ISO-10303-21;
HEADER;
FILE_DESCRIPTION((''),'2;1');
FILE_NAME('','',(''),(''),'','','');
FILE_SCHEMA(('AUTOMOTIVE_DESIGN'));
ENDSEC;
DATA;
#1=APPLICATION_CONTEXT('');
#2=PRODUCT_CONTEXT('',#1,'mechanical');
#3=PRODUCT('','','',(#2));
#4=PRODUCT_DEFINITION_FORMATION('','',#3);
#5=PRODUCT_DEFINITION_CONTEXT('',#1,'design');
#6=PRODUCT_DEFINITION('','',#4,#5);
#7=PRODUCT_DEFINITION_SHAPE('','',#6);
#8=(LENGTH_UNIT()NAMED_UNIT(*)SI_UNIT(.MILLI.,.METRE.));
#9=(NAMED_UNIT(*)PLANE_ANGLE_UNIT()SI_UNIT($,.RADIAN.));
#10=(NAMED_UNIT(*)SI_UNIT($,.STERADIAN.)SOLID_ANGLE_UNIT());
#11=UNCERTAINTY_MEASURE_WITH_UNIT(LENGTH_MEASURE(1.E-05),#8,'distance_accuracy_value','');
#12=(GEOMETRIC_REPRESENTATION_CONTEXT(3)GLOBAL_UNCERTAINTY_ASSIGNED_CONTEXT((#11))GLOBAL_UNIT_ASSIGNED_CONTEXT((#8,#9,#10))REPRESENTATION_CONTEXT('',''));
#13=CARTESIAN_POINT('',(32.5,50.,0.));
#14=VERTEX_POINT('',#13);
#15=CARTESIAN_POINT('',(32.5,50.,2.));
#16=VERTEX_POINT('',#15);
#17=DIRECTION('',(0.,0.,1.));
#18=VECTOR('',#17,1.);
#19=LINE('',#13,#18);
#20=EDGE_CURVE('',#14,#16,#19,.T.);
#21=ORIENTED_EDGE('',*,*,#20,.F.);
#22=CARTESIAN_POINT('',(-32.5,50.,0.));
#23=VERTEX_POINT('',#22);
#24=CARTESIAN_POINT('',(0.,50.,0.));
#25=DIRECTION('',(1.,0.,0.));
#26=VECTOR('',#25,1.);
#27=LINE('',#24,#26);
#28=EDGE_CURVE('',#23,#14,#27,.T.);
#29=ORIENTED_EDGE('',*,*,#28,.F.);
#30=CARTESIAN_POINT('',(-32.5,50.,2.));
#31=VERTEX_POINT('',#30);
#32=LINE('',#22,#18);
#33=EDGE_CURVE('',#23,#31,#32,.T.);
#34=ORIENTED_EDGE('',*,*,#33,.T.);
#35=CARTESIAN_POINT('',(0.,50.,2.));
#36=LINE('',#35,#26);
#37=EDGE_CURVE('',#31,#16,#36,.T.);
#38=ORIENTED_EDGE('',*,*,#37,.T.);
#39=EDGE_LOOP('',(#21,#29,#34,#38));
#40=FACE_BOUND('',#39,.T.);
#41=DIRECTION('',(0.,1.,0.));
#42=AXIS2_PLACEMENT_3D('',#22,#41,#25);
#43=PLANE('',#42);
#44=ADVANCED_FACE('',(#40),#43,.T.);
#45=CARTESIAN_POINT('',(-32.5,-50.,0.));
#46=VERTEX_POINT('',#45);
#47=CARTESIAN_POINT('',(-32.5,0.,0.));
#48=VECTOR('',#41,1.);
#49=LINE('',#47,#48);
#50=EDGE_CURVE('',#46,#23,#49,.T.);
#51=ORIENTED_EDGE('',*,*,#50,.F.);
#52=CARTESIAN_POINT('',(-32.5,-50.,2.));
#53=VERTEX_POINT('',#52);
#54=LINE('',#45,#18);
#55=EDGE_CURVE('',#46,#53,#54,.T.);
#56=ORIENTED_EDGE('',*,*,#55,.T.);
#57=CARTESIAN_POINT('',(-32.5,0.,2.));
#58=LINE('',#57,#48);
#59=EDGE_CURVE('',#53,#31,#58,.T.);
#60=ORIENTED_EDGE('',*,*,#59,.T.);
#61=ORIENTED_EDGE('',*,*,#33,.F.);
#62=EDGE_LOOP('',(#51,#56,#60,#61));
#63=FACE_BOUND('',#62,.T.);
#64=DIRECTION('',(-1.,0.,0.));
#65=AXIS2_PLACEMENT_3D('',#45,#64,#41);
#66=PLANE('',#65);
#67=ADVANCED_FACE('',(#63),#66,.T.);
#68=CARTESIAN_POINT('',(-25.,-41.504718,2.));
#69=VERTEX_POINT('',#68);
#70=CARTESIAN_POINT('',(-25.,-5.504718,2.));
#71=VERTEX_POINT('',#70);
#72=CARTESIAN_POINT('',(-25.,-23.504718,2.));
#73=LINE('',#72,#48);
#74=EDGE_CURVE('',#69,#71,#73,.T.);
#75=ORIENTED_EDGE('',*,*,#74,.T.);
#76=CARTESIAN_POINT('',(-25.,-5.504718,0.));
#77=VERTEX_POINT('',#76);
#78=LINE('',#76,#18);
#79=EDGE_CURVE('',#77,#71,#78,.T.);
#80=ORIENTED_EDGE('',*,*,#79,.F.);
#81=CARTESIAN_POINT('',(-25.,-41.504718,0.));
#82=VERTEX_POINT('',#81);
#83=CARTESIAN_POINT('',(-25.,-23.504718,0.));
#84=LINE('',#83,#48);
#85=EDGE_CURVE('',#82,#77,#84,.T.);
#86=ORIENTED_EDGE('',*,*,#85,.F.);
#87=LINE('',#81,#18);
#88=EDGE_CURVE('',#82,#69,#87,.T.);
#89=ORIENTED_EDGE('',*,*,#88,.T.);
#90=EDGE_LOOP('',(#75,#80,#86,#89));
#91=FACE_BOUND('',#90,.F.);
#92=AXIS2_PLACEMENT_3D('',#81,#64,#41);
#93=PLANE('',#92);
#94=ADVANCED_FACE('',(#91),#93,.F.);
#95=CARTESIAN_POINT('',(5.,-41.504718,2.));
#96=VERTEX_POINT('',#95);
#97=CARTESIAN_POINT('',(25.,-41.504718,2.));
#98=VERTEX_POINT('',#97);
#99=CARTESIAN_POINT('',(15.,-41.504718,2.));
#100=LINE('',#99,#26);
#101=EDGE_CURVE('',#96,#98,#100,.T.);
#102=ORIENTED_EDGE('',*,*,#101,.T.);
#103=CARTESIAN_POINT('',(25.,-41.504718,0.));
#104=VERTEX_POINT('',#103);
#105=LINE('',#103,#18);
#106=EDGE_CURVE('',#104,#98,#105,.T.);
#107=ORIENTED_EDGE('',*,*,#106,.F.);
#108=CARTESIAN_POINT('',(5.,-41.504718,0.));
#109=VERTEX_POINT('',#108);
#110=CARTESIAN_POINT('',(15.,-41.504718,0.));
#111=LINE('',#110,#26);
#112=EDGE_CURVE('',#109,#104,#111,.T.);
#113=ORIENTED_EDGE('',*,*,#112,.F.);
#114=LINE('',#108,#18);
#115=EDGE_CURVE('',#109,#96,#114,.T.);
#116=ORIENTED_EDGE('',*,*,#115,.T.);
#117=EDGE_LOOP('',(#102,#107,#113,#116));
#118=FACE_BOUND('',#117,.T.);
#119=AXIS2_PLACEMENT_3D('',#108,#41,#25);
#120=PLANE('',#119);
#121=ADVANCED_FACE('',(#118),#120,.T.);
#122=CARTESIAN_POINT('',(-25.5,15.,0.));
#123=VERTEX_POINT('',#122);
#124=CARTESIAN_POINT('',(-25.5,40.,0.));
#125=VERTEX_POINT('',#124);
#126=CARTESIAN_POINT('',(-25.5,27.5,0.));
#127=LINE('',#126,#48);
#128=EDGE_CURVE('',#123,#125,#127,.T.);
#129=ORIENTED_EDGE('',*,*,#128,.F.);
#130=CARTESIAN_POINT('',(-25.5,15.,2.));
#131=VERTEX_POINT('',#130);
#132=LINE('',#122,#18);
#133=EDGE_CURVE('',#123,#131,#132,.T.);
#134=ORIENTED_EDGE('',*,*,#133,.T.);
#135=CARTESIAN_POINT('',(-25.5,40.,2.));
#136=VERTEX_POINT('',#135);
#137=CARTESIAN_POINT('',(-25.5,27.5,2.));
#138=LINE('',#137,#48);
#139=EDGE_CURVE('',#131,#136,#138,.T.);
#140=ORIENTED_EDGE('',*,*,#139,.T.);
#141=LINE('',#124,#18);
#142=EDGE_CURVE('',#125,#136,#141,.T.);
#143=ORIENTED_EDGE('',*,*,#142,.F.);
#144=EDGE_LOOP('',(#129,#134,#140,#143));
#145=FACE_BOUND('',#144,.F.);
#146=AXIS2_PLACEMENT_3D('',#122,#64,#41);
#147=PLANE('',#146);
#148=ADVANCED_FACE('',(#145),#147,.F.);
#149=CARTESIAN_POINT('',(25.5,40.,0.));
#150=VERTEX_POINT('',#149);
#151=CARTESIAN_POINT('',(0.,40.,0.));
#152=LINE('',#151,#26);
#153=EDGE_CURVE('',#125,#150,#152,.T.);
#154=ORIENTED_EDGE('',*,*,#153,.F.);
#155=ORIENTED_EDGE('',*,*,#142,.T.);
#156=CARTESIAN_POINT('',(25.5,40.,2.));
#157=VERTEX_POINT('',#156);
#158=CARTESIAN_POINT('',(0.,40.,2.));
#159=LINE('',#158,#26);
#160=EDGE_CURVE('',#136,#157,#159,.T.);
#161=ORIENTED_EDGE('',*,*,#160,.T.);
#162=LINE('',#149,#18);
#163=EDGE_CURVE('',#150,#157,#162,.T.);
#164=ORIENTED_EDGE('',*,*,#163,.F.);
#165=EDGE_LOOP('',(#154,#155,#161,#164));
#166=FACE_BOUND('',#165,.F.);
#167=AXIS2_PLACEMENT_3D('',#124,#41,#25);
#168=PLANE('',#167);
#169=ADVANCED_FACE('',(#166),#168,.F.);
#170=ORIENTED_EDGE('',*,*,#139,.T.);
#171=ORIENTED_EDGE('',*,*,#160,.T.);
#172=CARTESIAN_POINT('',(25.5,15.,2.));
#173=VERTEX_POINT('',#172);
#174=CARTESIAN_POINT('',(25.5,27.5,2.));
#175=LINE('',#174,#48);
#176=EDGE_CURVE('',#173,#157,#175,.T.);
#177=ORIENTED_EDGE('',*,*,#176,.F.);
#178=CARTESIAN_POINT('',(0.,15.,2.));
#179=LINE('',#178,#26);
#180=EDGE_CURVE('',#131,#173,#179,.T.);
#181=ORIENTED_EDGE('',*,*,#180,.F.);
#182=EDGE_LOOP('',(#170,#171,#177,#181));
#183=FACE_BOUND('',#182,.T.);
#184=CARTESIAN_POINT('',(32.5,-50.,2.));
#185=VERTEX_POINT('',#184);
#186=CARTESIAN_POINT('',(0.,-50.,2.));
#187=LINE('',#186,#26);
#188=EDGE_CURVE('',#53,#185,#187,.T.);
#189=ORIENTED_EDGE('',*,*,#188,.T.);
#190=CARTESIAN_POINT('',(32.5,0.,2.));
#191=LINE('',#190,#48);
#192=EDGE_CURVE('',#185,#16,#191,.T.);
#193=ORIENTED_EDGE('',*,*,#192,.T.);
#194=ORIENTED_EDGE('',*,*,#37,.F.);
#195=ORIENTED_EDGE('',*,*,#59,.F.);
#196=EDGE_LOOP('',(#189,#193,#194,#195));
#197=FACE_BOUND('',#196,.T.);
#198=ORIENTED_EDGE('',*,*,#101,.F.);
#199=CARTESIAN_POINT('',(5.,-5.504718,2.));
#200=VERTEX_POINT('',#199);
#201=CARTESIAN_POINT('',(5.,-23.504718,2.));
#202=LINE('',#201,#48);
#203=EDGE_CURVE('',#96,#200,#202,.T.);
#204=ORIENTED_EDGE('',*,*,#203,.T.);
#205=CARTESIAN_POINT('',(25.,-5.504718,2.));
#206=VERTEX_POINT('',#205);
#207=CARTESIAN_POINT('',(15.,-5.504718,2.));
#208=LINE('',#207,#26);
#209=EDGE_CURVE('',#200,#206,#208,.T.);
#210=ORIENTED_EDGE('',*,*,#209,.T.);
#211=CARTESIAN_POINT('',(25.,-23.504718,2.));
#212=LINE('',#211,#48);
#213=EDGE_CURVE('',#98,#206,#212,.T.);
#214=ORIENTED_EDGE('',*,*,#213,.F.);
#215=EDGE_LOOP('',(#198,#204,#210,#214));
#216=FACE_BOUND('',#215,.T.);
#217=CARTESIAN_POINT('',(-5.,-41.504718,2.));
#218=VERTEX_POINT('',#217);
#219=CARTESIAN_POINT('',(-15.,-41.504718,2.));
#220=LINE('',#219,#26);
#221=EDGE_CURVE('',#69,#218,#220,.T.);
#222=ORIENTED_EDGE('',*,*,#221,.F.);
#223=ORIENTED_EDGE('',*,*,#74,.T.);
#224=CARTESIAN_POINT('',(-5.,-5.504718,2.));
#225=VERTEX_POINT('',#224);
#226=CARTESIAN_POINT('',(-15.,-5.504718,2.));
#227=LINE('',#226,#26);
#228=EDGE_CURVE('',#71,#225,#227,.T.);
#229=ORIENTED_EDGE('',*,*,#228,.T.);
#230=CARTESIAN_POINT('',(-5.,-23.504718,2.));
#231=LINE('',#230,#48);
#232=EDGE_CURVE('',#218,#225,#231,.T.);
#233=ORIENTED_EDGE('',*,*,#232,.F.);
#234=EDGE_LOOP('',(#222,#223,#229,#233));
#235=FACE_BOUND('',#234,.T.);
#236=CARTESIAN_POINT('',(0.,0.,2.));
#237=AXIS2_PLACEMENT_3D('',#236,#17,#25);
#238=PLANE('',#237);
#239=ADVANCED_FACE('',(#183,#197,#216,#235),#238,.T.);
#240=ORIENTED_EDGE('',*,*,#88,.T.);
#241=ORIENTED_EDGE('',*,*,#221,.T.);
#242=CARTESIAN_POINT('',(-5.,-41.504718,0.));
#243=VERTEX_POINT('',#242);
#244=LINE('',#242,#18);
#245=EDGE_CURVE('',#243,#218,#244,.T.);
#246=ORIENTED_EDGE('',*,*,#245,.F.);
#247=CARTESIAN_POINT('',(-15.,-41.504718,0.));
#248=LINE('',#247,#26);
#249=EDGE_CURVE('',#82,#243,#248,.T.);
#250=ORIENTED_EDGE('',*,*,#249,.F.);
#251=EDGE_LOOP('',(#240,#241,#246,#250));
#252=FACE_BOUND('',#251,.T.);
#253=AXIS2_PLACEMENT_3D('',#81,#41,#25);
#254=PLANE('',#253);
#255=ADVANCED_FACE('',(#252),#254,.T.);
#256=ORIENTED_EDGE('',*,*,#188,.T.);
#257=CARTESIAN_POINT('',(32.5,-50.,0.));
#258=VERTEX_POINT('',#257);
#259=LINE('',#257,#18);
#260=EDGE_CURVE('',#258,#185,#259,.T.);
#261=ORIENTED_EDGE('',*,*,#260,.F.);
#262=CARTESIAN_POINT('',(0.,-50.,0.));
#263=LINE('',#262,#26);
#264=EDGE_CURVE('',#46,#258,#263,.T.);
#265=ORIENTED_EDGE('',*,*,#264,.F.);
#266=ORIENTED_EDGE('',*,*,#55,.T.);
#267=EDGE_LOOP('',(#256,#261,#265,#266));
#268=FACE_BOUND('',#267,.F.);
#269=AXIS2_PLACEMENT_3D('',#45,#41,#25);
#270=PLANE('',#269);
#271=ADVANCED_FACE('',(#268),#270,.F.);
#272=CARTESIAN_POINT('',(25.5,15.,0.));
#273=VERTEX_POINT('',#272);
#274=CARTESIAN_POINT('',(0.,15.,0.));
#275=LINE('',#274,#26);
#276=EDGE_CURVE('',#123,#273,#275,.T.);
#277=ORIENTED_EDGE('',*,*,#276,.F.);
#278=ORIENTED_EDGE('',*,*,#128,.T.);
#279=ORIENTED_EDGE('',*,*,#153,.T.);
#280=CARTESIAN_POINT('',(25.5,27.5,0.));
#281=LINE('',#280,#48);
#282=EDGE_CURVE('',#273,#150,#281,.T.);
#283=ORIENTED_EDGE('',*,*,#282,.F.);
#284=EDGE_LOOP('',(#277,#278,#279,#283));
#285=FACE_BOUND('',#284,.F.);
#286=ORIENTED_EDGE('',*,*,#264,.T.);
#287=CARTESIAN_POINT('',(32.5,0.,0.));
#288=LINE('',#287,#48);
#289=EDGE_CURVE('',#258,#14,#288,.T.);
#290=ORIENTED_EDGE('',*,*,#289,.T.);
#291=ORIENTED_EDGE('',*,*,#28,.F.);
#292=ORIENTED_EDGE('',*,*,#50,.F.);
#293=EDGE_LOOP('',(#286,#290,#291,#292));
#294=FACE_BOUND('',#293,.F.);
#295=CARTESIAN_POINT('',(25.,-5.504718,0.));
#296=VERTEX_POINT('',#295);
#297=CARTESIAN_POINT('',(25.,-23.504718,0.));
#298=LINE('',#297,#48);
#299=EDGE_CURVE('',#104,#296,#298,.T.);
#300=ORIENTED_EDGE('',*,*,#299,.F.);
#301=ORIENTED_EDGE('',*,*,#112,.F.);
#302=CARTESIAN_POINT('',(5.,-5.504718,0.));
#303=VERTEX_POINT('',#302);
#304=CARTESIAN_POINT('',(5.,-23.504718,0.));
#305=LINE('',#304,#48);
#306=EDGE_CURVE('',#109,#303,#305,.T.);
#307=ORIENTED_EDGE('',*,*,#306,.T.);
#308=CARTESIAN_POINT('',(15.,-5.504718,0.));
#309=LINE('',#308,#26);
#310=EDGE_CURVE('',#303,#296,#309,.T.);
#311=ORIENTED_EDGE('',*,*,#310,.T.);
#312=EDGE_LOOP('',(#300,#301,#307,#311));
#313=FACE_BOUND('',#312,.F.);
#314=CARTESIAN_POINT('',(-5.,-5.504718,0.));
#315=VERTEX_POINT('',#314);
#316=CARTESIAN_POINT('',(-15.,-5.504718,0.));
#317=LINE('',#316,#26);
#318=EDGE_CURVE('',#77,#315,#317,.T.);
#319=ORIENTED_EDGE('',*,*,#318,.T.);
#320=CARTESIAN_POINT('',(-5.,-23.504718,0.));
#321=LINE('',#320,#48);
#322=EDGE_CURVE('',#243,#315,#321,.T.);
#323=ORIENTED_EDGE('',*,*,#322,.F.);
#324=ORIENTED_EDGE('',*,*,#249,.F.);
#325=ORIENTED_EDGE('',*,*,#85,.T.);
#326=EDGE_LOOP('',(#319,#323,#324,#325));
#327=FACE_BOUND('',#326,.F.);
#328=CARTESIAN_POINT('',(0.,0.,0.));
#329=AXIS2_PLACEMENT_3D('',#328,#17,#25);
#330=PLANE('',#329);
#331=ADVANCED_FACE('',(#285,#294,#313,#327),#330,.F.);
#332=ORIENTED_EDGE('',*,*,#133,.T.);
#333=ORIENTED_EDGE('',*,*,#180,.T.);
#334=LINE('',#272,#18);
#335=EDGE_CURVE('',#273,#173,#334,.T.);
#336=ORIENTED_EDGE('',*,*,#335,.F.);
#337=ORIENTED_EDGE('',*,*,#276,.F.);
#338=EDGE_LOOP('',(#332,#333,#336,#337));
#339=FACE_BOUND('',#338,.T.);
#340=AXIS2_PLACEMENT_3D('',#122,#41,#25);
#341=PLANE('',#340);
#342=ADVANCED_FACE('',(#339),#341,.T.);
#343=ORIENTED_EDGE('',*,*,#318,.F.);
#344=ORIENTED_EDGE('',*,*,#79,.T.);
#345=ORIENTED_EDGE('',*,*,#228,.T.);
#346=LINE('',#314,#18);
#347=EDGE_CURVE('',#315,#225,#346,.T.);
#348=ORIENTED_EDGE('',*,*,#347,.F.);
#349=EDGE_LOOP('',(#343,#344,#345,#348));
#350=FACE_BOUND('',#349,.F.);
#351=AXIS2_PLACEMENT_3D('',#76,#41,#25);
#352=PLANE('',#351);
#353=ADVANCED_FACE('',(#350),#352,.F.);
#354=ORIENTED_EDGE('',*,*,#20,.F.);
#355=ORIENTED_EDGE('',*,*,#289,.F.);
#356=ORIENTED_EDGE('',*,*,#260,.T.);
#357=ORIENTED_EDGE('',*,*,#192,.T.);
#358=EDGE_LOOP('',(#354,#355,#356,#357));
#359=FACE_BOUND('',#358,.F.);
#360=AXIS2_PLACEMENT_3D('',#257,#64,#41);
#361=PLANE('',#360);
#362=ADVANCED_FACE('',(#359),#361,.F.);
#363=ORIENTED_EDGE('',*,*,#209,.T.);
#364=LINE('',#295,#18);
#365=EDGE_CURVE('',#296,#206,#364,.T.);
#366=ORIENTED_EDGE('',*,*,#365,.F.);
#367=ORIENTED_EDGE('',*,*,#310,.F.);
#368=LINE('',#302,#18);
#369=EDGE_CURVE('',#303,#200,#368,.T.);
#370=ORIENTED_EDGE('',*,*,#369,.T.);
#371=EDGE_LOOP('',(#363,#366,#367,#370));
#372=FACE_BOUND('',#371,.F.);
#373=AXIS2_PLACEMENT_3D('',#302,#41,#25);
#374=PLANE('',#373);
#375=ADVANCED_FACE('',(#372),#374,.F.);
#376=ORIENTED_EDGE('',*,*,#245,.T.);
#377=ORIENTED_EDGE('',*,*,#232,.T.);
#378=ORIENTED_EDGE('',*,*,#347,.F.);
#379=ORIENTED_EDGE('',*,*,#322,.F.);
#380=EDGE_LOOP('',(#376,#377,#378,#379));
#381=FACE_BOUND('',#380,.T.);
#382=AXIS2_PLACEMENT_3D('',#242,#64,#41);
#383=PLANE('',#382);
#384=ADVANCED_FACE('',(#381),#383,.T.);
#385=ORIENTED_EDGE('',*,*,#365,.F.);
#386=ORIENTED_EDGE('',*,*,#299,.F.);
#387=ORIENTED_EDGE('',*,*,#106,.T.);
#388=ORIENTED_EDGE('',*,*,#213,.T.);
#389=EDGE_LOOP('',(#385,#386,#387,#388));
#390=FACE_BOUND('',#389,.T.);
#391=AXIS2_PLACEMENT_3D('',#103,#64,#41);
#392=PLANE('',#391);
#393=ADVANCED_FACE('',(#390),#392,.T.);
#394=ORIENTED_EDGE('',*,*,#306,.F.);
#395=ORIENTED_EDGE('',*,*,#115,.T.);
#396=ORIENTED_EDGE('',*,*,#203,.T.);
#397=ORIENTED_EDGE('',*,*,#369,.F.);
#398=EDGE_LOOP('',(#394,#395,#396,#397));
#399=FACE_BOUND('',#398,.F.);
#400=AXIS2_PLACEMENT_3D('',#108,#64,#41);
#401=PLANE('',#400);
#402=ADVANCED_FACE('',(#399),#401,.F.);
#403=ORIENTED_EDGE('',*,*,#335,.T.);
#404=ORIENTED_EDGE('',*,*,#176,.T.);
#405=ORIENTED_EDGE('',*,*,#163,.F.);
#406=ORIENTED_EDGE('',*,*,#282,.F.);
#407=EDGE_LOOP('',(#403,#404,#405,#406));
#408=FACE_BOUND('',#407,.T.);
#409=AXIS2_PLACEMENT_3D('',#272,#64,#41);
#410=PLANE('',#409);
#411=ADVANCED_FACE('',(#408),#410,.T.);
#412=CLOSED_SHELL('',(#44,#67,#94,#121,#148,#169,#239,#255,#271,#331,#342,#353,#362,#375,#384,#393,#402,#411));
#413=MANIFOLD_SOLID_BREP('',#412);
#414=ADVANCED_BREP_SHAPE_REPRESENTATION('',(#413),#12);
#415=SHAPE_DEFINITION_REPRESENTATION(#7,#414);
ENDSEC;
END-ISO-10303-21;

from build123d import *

# Parameters (mm, degrees)
F0_W     = 65
F0_H     = 100
F0_W_2   = 20
F0_H_2   = 36
F0_W_3   = 51
F0_H_3   = 25
F1_DEPTH = 2


with BuildPart() as f1:
    # F0 (on Top) → F1 (new body)
    with BuildSketch(Plane.XY):
        Rectangle(F0_W, F0_H)
        with Locations((-15, -23.504718)):
            Rectangle(F0_W_2, F0_H_2, mode=Mode.SUBTRACT)
        with Locations((15, -23.504718)):
            Rectangle(F0_W_2, F0_H_2, mode=Mode.SUBTRACT)
        with Locations((0, 27.5)):
            Rectangle(F0_W_3, F0_H_3, mode=Mode.SUBTRACT)
    extrude(amount=F1_DEPTH)


solid = f1.part
